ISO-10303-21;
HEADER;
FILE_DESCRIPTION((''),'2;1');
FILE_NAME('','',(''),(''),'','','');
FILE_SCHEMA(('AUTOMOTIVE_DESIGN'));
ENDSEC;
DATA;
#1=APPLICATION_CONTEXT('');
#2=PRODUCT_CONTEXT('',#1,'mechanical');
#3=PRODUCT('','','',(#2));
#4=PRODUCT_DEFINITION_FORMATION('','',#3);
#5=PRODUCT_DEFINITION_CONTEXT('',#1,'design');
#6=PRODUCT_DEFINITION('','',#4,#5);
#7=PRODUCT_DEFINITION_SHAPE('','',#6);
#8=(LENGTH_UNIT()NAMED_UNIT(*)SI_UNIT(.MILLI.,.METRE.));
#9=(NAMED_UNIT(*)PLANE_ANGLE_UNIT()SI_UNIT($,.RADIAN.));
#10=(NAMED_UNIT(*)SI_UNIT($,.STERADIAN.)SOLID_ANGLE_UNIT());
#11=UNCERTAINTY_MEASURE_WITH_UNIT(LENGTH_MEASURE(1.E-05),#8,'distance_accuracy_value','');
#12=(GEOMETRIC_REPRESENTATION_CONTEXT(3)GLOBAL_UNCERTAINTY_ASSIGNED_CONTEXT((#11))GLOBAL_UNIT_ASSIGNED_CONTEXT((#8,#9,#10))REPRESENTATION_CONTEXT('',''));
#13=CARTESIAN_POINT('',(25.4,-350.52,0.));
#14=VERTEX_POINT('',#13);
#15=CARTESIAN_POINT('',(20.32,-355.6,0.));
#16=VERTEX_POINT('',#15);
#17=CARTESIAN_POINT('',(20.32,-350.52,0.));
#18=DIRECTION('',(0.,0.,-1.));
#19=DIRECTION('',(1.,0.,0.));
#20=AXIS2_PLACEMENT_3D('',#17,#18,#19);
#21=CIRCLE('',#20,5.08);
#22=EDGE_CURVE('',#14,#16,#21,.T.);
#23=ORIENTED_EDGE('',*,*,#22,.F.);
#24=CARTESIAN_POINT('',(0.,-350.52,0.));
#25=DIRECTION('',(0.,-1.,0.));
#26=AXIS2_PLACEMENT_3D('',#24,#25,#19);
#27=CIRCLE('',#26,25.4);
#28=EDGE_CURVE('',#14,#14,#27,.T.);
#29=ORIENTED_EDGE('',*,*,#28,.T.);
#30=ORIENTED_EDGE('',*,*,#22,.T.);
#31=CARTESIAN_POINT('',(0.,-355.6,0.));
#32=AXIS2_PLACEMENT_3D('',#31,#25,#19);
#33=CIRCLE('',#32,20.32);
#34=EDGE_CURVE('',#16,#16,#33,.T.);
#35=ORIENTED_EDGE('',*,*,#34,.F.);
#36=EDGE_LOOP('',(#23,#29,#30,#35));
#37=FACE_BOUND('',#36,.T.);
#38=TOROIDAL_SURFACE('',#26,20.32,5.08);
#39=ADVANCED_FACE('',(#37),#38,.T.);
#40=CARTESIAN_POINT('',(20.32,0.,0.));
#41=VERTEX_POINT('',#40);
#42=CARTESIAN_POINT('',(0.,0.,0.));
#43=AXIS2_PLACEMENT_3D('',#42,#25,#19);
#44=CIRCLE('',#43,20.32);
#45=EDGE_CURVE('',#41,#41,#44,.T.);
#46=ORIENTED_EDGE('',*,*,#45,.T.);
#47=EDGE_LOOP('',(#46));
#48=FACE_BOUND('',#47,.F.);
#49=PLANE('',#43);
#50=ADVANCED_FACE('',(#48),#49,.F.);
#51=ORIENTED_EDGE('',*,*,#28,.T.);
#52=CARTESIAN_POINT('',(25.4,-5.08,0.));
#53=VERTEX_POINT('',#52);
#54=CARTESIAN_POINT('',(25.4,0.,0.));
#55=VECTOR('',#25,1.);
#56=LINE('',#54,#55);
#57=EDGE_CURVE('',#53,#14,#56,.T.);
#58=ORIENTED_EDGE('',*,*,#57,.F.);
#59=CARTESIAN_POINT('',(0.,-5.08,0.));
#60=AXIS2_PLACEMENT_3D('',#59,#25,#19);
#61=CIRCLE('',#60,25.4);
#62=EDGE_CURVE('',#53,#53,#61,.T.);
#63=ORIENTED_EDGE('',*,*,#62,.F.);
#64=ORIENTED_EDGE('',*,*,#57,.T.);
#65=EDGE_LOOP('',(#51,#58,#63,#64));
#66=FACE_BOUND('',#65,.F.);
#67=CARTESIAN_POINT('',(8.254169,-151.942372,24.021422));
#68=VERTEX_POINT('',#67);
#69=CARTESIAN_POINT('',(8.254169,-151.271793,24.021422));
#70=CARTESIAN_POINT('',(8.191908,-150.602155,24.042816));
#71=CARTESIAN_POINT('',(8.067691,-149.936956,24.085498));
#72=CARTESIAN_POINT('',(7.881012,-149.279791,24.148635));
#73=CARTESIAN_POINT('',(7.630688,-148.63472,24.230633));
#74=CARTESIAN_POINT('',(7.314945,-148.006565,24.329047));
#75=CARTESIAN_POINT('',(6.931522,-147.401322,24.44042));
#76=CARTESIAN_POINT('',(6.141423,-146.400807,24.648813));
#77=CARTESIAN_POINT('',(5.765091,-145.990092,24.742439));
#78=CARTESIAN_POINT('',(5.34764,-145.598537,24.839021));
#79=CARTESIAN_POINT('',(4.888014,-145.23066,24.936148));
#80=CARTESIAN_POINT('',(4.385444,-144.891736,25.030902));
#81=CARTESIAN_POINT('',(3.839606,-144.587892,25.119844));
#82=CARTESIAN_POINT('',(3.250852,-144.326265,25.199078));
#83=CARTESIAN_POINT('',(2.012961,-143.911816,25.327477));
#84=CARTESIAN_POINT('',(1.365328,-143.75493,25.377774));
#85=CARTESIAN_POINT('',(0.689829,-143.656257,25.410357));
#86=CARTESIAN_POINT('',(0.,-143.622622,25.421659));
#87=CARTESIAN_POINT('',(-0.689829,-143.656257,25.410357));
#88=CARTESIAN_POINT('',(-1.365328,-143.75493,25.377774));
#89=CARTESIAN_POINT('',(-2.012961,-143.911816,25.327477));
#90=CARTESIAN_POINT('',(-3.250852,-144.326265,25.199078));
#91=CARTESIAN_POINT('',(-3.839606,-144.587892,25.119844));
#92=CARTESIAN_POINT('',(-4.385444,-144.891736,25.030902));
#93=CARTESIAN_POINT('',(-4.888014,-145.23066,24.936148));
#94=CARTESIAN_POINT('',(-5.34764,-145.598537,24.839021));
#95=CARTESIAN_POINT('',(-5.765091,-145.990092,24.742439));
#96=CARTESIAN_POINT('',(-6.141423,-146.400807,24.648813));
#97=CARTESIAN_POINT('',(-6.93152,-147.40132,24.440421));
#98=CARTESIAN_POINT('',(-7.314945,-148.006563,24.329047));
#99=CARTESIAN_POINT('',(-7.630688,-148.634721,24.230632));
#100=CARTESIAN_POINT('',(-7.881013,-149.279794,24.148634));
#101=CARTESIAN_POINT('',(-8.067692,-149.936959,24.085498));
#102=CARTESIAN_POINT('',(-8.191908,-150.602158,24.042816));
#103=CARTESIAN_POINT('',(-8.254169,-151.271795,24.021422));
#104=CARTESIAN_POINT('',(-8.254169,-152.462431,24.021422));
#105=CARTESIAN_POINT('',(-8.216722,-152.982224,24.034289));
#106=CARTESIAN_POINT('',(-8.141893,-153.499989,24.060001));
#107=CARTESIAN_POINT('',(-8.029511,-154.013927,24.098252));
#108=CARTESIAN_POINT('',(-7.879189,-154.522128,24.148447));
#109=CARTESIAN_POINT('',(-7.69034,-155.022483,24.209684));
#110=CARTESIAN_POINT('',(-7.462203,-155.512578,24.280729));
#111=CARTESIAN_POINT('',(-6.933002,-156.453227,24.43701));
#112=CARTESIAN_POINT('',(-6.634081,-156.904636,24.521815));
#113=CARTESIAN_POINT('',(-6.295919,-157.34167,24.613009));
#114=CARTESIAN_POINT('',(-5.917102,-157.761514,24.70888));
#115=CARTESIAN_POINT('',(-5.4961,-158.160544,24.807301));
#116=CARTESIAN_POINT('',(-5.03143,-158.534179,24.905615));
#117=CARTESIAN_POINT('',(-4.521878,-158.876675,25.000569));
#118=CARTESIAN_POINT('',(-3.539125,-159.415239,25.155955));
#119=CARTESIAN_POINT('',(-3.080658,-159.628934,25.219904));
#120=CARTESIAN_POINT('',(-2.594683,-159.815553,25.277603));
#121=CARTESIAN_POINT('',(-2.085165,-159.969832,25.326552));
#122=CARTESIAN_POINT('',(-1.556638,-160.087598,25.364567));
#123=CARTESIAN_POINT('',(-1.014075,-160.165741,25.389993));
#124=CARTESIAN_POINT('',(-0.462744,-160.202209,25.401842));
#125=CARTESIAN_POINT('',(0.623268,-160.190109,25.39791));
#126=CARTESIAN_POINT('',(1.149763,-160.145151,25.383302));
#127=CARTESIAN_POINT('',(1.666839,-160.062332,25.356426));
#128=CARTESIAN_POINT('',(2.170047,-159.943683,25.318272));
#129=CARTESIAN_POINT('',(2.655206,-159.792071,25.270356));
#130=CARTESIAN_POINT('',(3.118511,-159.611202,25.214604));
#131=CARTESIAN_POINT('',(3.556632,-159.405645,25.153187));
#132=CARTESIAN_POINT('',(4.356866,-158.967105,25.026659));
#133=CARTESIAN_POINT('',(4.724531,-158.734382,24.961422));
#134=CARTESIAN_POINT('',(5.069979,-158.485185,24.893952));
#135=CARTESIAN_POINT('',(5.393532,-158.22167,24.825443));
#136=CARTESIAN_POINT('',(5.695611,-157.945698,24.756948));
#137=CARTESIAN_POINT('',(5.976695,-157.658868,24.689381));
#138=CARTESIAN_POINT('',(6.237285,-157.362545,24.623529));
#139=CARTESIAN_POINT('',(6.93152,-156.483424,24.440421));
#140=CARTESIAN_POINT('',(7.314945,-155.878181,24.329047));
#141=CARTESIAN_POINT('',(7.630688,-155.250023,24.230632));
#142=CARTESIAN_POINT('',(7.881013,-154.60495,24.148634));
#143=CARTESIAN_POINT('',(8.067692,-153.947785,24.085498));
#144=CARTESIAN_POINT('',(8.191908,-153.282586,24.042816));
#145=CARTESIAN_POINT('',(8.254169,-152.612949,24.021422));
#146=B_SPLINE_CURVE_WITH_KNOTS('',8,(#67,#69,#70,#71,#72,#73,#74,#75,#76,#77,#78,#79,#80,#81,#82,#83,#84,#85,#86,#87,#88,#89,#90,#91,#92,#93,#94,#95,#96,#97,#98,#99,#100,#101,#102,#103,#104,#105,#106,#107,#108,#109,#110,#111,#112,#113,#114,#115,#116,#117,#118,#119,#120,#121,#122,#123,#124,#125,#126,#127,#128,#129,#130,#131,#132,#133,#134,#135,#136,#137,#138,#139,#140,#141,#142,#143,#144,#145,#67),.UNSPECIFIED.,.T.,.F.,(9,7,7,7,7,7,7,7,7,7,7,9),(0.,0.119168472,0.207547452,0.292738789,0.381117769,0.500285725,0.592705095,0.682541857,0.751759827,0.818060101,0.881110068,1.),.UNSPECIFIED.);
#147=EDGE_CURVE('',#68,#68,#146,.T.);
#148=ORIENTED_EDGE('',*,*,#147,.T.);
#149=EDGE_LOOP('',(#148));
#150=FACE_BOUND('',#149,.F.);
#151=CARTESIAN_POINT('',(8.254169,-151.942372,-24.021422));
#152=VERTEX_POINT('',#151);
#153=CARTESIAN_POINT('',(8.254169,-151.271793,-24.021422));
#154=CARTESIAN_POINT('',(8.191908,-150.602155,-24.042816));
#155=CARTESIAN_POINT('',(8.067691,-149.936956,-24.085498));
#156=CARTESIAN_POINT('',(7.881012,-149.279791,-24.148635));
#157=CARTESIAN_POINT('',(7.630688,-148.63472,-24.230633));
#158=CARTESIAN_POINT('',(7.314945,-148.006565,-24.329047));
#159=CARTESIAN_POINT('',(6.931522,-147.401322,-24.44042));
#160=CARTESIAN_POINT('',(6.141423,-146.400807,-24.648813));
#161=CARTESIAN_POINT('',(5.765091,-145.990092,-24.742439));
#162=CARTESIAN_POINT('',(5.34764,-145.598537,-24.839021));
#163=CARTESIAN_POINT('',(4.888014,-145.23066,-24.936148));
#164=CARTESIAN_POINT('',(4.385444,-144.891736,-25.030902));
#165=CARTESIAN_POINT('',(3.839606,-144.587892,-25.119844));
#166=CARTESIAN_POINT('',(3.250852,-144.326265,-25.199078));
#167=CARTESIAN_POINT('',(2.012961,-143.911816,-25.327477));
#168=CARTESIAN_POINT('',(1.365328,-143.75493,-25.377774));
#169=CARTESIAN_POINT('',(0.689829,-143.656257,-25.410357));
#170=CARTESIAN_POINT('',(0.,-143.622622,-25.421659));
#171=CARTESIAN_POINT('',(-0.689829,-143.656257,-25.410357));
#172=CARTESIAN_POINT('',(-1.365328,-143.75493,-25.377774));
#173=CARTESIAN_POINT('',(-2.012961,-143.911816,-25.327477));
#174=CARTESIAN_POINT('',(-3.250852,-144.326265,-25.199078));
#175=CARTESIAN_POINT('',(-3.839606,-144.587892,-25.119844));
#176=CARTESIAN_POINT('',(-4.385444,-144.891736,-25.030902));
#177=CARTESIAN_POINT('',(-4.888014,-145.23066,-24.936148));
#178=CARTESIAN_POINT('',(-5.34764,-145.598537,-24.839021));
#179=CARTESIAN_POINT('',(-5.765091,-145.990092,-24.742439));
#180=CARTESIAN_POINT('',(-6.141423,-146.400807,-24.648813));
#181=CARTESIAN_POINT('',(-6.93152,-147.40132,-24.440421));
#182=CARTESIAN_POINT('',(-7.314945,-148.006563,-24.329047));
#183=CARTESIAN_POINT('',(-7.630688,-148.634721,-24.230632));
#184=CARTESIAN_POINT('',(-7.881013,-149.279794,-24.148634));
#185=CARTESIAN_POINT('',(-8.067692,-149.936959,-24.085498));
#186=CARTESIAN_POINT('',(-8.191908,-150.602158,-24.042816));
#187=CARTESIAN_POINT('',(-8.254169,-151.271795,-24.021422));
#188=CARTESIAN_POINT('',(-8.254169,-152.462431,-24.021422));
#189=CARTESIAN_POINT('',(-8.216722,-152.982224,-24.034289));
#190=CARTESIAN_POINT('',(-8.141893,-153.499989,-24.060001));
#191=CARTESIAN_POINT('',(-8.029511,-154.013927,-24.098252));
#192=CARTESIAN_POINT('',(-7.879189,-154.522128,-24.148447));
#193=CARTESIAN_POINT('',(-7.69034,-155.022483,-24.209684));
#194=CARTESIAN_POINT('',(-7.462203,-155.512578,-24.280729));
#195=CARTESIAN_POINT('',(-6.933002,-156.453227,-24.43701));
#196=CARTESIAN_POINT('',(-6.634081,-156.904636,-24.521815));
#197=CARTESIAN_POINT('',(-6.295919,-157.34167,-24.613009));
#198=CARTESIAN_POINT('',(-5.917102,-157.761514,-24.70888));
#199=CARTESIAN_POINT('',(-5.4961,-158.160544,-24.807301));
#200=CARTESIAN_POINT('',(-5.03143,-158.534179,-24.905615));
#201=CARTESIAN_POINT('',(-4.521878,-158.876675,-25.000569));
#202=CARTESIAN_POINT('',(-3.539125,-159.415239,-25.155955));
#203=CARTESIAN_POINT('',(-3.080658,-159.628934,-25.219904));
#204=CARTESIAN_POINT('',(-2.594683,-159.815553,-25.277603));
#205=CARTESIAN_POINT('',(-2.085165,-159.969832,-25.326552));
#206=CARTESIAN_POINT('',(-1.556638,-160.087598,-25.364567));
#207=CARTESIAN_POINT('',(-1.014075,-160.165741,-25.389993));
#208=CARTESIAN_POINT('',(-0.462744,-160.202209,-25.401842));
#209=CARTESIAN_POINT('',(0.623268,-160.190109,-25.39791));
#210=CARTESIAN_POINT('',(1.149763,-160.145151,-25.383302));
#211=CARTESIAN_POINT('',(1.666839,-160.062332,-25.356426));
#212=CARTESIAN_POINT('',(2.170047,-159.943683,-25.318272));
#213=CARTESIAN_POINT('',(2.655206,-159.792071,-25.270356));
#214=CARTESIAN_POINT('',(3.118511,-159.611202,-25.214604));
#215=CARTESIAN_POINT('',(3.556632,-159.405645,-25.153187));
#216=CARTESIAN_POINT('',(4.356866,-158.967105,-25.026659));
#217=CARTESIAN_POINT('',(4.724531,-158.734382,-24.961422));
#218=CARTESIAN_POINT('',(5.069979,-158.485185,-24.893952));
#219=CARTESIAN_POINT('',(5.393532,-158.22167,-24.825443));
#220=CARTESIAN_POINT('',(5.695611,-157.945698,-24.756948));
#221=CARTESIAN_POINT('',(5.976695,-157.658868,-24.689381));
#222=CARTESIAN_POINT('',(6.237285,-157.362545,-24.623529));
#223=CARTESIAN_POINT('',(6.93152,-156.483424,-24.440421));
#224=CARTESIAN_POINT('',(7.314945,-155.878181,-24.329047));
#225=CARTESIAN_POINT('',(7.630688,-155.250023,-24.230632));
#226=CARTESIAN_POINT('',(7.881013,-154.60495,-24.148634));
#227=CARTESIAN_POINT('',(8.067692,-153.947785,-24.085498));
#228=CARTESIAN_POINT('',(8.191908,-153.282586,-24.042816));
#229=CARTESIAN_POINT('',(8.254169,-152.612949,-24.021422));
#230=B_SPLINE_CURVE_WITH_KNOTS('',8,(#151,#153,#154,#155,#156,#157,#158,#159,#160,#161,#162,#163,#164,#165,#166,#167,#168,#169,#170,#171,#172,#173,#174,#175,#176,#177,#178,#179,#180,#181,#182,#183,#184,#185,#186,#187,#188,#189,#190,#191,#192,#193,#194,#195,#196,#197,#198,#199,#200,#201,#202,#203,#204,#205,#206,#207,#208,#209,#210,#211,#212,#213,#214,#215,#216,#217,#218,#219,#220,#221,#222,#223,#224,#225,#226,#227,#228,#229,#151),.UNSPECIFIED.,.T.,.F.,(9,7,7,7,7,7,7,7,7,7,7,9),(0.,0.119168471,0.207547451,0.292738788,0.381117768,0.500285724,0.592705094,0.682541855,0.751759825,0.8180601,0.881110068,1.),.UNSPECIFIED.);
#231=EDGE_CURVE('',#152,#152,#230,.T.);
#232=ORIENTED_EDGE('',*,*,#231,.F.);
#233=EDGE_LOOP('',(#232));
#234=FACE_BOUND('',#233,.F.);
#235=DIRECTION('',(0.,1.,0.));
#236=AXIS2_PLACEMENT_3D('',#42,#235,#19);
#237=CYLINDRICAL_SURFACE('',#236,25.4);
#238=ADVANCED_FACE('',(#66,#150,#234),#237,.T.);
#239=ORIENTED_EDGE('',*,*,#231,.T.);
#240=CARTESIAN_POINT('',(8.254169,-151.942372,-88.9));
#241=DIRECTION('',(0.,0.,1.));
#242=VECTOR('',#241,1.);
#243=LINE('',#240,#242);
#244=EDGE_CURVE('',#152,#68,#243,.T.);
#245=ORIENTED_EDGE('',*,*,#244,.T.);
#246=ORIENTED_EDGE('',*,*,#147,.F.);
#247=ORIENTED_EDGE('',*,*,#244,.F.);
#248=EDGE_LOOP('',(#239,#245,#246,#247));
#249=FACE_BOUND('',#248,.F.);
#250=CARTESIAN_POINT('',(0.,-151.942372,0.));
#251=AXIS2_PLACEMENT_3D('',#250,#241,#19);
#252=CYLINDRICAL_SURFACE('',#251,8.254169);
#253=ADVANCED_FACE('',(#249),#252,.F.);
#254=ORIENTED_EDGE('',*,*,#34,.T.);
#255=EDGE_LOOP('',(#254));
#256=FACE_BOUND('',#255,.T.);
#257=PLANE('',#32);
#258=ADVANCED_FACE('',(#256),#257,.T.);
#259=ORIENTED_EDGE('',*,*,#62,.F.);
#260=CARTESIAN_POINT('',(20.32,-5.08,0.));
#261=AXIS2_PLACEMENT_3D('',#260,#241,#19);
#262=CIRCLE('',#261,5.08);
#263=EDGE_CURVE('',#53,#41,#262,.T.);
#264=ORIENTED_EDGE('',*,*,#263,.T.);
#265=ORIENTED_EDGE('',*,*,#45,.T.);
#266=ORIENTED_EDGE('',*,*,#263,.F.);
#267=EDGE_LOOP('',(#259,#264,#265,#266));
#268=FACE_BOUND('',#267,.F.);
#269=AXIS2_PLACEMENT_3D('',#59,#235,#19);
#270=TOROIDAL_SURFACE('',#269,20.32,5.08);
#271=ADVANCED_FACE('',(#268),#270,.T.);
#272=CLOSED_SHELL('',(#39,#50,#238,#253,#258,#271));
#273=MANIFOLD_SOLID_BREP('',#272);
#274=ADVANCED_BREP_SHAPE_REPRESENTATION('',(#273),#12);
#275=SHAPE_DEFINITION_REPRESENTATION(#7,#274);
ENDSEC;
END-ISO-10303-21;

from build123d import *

# Parameters (mm, degrees)
F0_R     = 25.4
F1_DEPTH = 355.6
F2_R     = 5.08
F3_R     = 5.08
F4_R     = 8.254169
F5_DEPTH = 88.9


with BuildPart() as f1:
    # F0 (on Front) → F1 (new body)
    with BuildSketch(Plane.XZ):
        Circle(F0_R)
    extrude(amount=F1_DEPTH)

    # F2
    f2_edges = [f1.edges().sort_by_distance(p)[0] for p in [
        (-25.4, -355.6, 0),
    ]]
    fillet(f2_edges, radius=F2_R)

    # F3
    f3_edges = [f1.edges().sort_by_distance(p)[0] for p in [
        (-25.4, 0, 0),
    ]]
    fillet(f3_edges, radius=F3_R)

    # F4 (on Top) → F5 (cut, symmetric)
    with BuildSketch(Plane.XY):
        with Locations((0, -151.942372)):
            Circle(F4_R)
    extrude(amount=F5_DEPTH, both=True, mode=Mode.SUBTRACT)


solid = f1.part
